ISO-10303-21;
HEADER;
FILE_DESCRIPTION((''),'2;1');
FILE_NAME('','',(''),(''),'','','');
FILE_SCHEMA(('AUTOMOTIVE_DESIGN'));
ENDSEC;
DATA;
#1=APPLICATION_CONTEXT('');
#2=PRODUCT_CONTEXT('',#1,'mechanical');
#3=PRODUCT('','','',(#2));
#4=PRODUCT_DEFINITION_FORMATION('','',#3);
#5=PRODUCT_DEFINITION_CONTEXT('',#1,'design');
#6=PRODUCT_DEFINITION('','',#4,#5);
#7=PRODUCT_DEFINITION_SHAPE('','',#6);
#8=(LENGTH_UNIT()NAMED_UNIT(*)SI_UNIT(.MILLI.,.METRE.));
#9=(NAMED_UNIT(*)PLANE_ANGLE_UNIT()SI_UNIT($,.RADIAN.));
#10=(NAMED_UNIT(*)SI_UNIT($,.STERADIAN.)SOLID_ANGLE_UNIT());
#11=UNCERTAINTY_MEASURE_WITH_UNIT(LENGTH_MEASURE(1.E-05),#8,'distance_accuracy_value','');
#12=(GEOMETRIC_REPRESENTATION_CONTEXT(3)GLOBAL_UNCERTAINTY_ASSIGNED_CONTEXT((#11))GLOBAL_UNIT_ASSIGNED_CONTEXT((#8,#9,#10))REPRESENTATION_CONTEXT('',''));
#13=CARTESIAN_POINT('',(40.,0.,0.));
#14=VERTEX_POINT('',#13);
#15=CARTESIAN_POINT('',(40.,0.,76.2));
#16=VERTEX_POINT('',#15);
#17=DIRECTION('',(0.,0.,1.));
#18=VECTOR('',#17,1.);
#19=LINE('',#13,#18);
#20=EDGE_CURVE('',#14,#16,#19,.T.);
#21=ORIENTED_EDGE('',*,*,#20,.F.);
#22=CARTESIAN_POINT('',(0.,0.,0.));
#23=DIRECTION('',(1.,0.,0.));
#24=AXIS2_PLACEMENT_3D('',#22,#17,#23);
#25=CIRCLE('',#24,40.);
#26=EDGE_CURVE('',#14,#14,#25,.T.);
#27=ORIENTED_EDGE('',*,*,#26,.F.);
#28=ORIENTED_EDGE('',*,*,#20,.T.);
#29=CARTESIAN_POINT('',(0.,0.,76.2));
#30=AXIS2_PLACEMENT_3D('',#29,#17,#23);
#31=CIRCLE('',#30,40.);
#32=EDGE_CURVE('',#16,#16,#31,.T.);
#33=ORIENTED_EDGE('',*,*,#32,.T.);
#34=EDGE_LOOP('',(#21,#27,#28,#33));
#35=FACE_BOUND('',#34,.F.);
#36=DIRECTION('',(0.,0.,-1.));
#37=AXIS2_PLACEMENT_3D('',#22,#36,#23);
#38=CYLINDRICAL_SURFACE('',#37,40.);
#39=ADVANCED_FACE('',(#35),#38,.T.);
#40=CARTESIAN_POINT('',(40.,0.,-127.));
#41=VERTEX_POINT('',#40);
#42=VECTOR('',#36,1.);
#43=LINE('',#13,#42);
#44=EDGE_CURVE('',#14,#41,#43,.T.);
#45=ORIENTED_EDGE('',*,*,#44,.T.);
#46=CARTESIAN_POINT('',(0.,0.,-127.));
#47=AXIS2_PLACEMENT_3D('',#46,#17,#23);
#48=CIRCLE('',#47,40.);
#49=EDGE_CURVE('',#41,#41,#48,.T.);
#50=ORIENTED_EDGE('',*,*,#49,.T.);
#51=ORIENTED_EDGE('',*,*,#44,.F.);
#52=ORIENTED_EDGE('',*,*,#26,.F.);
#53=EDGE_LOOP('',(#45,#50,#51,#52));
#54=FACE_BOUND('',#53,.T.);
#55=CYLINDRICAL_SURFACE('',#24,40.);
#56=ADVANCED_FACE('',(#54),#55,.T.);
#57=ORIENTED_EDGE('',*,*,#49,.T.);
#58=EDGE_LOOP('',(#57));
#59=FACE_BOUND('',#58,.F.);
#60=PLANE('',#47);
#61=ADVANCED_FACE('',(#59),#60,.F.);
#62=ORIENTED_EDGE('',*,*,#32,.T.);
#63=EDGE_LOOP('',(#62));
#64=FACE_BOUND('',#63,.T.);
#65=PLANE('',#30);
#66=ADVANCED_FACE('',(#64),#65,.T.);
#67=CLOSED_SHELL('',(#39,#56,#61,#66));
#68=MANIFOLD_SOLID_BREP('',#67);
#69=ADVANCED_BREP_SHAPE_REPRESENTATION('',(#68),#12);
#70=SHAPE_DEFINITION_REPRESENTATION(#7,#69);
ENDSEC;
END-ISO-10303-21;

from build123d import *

# Parameters (mm, degrees)
F0_R     = 40
F1_DEPTH = 127
F2_DEPTH = 76.2


with BuildPart() as f1:
    # F0 (on Top) → F1 (new body)
    with BuildSketch(Plane.XY):
        Circle(F0_R)
    extrude(amount=-F1_DEPTH)

    # F0 (on Top) → F2 (join)
    with BuildSketch(Plane.XY):
        Circle(F0_R)
    extrude(amount=F2_DEPTH)


solid = f1.part
